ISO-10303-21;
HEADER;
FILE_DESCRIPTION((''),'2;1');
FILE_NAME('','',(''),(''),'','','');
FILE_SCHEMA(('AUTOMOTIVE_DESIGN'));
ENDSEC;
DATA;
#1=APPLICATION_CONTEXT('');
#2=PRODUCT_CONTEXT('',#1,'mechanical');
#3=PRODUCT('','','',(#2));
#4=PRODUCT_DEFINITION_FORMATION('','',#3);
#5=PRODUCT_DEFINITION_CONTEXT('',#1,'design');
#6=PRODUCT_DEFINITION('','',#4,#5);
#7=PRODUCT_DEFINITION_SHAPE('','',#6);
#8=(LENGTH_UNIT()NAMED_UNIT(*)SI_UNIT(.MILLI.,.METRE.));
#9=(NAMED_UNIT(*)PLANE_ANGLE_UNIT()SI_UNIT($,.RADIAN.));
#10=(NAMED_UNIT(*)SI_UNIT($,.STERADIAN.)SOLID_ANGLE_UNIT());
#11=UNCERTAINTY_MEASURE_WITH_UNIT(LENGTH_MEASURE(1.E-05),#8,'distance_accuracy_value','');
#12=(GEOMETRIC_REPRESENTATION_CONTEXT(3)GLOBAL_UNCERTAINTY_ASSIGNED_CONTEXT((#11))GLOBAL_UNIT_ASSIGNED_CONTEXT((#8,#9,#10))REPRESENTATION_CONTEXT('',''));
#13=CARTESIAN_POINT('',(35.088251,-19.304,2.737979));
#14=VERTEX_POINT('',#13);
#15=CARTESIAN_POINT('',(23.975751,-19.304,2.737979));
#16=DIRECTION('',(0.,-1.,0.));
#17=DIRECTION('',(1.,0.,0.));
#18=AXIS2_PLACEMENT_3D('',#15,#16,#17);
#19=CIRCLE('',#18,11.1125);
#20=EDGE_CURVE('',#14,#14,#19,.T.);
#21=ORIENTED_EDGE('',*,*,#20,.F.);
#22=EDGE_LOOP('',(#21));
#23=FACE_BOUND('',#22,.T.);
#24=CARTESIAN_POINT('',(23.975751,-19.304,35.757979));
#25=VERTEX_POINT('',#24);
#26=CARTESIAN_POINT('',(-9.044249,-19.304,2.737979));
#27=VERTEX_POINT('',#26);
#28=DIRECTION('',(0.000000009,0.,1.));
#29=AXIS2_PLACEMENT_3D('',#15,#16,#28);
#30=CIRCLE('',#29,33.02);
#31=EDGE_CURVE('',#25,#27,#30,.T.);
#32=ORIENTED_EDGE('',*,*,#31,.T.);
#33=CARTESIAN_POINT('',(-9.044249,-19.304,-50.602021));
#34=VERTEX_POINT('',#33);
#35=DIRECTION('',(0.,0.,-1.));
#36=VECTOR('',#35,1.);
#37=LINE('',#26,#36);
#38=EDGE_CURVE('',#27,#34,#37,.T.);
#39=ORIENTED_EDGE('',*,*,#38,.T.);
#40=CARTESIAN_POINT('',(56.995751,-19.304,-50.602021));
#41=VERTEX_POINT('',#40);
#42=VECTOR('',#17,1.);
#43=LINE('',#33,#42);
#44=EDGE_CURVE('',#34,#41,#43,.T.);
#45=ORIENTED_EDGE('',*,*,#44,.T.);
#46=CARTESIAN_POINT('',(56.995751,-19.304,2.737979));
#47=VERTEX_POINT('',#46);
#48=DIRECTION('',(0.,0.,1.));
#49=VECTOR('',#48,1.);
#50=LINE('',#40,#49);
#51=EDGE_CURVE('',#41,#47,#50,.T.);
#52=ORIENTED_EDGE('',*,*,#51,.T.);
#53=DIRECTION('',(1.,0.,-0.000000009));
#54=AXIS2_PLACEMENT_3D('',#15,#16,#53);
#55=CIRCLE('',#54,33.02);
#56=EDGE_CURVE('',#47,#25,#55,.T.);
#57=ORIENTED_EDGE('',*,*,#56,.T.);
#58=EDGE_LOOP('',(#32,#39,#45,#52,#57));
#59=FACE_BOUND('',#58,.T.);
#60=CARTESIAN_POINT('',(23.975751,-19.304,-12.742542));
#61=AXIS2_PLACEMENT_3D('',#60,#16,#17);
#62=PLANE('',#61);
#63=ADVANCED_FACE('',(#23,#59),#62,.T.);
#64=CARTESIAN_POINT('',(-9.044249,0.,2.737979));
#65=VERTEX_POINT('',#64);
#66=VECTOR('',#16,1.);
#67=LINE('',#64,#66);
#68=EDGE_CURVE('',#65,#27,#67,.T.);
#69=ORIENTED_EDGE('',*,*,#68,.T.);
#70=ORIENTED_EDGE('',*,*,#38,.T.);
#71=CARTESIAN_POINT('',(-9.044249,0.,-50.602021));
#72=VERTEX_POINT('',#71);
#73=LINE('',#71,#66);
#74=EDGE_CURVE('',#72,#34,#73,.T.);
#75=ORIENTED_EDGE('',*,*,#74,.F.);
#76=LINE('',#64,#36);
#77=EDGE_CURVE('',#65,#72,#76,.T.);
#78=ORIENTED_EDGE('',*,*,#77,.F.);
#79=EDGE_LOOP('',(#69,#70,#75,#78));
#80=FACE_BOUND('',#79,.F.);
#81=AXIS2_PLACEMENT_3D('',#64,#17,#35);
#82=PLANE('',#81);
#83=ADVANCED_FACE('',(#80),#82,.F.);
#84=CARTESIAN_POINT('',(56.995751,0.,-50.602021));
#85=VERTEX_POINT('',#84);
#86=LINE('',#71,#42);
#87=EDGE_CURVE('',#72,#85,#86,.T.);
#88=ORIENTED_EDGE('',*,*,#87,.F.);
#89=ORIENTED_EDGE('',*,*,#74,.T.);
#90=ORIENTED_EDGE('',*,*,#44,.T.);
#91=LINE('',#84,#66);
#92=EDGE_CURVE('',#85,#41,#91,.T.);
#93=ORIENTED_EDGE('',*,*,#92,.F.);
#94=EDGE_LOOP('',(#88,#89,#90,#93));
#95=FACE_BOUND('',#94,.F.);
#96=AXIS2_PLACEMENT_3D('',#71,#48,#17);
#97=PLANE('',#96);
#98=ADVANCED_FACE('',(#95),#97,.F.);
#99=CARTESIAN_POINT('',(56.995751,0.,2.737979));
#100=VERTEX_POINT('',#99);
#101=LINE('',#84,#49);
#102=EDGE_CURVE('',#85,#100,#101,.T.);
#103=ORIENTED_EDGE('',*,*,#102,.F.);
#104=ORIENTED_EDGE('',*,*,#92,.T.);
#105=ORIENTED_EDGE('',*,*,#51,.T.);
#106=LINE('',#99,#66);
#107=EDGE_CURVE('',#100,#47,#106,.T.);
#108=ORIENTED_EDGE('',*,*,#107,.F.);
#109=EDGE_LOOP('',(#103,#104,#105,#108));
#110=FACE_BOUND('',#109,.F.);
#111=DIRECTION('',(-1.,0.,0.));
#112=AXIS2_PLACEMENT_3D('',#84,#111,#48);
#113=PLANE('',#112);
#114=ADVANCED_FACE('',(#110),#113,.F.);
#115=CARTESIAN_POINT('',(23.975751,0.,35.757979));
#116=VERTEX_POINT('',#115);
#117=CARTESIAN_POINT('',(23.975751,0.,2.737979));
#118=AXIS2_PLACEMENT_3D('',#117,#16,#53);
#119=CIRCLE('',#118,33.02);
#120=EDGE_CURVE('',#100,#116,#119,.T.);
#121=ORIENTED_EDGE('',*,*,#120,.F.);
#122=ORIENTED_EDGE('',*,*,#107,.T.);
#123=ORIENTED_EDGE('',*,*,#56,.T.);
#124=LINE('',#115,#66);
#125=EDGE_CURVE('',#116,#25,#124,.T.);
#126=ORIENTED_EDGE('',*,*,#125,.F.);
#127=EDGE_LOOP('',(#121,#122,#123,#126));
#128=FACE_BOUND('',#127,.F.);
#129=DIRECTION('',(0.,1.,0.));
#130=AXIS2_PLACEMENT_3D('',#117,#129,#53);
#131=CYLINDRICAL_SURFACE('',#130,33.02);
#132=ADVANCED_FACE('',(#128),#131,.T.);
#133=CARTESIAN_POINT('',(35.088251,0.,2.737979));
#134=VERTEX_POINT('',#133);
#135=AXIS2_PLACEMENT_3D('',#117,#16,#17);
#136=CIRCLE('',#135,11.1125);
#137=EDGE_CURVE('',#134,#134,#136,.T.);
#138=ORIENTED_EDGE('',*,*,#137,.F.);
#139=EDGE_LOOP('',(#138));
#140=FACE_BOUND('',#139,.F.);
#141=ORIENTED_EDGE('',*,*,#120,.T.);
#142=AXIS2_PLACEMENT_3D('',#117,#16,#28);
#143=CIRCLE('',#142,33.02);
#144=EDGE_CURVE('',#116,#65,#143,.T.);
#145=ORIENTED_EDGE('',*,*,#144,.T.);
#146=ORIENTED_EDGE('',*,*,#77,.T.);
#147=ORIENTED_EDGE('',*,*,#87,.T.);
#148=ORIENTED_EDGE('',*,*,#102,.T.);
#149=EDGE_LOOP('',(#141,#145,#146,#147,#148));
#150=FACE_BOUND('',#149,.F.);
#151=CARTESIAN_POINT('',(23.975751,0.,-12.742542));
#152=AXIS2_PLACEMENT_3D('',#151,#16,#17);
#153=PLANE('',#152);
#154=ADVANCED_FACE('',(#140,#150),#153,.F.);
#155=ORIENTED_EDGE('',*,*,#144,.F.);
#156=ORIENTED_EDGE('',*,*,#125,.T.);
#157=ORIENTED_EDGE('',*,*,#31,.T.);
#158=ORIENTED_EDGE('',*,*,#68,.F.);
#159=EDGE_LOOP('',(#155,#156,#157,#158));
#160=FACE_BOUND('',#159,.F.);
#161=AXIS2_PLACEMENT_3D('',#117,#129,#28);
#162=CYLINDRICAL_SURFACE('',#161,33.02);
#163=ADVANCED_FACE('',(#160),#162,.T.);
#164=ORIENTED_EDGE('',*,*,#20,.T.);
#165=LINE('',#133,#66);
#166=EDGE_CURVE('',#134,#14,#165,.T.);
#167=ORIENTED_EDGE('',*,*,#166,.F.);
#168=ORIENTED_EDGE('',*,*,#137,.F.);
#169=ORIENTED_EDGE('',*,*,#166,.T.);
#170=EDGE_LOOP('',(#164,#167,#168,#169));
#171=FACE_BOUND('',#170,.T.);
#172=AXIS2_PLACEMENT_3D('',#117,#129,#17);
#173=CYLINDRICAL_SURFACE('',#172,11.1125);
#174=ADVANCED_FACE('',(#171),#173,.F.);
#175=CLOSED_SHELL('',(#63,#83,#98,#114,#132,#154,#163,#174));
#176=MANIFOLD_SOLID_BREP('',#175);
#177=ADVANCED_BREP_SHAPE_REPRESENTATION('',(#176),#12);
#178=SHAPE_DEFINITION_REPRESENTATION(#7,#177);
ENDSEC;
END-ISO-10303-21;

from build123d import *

# Parameters (mm, degrees)
F0_R     = 11.1125
F1_DEPTH = 19.304


with BuildPart() as f1:
    # F0 (on Front) → F1 (new body)
    with BuildSketch(Plane.XZ):
        with BuildLine():
            Line((-9.044249, 2.737979), (-9.044249, -50.602021))
            Line((-9.044249, -50.602021), (56.995751, -50.602021))
            Line((56.995751, -50.602021), (56.995751, 2.737979))
            ThreePointArc((56.995751, 2.737979), (47.324417, 26.086645), (23.975751, 35.757979))
            ThreePointArc((23.975751, 35.757979), (0.627085, 26.086645), (-9.044249, 2.737979))
        make_face()
        with Locations((23.975751, 2.737979)):
            Circle(F0_R, mode=Mode.SUBTRACT)
    extrude(amount=F1_DEPTH)


solid = f1.part
